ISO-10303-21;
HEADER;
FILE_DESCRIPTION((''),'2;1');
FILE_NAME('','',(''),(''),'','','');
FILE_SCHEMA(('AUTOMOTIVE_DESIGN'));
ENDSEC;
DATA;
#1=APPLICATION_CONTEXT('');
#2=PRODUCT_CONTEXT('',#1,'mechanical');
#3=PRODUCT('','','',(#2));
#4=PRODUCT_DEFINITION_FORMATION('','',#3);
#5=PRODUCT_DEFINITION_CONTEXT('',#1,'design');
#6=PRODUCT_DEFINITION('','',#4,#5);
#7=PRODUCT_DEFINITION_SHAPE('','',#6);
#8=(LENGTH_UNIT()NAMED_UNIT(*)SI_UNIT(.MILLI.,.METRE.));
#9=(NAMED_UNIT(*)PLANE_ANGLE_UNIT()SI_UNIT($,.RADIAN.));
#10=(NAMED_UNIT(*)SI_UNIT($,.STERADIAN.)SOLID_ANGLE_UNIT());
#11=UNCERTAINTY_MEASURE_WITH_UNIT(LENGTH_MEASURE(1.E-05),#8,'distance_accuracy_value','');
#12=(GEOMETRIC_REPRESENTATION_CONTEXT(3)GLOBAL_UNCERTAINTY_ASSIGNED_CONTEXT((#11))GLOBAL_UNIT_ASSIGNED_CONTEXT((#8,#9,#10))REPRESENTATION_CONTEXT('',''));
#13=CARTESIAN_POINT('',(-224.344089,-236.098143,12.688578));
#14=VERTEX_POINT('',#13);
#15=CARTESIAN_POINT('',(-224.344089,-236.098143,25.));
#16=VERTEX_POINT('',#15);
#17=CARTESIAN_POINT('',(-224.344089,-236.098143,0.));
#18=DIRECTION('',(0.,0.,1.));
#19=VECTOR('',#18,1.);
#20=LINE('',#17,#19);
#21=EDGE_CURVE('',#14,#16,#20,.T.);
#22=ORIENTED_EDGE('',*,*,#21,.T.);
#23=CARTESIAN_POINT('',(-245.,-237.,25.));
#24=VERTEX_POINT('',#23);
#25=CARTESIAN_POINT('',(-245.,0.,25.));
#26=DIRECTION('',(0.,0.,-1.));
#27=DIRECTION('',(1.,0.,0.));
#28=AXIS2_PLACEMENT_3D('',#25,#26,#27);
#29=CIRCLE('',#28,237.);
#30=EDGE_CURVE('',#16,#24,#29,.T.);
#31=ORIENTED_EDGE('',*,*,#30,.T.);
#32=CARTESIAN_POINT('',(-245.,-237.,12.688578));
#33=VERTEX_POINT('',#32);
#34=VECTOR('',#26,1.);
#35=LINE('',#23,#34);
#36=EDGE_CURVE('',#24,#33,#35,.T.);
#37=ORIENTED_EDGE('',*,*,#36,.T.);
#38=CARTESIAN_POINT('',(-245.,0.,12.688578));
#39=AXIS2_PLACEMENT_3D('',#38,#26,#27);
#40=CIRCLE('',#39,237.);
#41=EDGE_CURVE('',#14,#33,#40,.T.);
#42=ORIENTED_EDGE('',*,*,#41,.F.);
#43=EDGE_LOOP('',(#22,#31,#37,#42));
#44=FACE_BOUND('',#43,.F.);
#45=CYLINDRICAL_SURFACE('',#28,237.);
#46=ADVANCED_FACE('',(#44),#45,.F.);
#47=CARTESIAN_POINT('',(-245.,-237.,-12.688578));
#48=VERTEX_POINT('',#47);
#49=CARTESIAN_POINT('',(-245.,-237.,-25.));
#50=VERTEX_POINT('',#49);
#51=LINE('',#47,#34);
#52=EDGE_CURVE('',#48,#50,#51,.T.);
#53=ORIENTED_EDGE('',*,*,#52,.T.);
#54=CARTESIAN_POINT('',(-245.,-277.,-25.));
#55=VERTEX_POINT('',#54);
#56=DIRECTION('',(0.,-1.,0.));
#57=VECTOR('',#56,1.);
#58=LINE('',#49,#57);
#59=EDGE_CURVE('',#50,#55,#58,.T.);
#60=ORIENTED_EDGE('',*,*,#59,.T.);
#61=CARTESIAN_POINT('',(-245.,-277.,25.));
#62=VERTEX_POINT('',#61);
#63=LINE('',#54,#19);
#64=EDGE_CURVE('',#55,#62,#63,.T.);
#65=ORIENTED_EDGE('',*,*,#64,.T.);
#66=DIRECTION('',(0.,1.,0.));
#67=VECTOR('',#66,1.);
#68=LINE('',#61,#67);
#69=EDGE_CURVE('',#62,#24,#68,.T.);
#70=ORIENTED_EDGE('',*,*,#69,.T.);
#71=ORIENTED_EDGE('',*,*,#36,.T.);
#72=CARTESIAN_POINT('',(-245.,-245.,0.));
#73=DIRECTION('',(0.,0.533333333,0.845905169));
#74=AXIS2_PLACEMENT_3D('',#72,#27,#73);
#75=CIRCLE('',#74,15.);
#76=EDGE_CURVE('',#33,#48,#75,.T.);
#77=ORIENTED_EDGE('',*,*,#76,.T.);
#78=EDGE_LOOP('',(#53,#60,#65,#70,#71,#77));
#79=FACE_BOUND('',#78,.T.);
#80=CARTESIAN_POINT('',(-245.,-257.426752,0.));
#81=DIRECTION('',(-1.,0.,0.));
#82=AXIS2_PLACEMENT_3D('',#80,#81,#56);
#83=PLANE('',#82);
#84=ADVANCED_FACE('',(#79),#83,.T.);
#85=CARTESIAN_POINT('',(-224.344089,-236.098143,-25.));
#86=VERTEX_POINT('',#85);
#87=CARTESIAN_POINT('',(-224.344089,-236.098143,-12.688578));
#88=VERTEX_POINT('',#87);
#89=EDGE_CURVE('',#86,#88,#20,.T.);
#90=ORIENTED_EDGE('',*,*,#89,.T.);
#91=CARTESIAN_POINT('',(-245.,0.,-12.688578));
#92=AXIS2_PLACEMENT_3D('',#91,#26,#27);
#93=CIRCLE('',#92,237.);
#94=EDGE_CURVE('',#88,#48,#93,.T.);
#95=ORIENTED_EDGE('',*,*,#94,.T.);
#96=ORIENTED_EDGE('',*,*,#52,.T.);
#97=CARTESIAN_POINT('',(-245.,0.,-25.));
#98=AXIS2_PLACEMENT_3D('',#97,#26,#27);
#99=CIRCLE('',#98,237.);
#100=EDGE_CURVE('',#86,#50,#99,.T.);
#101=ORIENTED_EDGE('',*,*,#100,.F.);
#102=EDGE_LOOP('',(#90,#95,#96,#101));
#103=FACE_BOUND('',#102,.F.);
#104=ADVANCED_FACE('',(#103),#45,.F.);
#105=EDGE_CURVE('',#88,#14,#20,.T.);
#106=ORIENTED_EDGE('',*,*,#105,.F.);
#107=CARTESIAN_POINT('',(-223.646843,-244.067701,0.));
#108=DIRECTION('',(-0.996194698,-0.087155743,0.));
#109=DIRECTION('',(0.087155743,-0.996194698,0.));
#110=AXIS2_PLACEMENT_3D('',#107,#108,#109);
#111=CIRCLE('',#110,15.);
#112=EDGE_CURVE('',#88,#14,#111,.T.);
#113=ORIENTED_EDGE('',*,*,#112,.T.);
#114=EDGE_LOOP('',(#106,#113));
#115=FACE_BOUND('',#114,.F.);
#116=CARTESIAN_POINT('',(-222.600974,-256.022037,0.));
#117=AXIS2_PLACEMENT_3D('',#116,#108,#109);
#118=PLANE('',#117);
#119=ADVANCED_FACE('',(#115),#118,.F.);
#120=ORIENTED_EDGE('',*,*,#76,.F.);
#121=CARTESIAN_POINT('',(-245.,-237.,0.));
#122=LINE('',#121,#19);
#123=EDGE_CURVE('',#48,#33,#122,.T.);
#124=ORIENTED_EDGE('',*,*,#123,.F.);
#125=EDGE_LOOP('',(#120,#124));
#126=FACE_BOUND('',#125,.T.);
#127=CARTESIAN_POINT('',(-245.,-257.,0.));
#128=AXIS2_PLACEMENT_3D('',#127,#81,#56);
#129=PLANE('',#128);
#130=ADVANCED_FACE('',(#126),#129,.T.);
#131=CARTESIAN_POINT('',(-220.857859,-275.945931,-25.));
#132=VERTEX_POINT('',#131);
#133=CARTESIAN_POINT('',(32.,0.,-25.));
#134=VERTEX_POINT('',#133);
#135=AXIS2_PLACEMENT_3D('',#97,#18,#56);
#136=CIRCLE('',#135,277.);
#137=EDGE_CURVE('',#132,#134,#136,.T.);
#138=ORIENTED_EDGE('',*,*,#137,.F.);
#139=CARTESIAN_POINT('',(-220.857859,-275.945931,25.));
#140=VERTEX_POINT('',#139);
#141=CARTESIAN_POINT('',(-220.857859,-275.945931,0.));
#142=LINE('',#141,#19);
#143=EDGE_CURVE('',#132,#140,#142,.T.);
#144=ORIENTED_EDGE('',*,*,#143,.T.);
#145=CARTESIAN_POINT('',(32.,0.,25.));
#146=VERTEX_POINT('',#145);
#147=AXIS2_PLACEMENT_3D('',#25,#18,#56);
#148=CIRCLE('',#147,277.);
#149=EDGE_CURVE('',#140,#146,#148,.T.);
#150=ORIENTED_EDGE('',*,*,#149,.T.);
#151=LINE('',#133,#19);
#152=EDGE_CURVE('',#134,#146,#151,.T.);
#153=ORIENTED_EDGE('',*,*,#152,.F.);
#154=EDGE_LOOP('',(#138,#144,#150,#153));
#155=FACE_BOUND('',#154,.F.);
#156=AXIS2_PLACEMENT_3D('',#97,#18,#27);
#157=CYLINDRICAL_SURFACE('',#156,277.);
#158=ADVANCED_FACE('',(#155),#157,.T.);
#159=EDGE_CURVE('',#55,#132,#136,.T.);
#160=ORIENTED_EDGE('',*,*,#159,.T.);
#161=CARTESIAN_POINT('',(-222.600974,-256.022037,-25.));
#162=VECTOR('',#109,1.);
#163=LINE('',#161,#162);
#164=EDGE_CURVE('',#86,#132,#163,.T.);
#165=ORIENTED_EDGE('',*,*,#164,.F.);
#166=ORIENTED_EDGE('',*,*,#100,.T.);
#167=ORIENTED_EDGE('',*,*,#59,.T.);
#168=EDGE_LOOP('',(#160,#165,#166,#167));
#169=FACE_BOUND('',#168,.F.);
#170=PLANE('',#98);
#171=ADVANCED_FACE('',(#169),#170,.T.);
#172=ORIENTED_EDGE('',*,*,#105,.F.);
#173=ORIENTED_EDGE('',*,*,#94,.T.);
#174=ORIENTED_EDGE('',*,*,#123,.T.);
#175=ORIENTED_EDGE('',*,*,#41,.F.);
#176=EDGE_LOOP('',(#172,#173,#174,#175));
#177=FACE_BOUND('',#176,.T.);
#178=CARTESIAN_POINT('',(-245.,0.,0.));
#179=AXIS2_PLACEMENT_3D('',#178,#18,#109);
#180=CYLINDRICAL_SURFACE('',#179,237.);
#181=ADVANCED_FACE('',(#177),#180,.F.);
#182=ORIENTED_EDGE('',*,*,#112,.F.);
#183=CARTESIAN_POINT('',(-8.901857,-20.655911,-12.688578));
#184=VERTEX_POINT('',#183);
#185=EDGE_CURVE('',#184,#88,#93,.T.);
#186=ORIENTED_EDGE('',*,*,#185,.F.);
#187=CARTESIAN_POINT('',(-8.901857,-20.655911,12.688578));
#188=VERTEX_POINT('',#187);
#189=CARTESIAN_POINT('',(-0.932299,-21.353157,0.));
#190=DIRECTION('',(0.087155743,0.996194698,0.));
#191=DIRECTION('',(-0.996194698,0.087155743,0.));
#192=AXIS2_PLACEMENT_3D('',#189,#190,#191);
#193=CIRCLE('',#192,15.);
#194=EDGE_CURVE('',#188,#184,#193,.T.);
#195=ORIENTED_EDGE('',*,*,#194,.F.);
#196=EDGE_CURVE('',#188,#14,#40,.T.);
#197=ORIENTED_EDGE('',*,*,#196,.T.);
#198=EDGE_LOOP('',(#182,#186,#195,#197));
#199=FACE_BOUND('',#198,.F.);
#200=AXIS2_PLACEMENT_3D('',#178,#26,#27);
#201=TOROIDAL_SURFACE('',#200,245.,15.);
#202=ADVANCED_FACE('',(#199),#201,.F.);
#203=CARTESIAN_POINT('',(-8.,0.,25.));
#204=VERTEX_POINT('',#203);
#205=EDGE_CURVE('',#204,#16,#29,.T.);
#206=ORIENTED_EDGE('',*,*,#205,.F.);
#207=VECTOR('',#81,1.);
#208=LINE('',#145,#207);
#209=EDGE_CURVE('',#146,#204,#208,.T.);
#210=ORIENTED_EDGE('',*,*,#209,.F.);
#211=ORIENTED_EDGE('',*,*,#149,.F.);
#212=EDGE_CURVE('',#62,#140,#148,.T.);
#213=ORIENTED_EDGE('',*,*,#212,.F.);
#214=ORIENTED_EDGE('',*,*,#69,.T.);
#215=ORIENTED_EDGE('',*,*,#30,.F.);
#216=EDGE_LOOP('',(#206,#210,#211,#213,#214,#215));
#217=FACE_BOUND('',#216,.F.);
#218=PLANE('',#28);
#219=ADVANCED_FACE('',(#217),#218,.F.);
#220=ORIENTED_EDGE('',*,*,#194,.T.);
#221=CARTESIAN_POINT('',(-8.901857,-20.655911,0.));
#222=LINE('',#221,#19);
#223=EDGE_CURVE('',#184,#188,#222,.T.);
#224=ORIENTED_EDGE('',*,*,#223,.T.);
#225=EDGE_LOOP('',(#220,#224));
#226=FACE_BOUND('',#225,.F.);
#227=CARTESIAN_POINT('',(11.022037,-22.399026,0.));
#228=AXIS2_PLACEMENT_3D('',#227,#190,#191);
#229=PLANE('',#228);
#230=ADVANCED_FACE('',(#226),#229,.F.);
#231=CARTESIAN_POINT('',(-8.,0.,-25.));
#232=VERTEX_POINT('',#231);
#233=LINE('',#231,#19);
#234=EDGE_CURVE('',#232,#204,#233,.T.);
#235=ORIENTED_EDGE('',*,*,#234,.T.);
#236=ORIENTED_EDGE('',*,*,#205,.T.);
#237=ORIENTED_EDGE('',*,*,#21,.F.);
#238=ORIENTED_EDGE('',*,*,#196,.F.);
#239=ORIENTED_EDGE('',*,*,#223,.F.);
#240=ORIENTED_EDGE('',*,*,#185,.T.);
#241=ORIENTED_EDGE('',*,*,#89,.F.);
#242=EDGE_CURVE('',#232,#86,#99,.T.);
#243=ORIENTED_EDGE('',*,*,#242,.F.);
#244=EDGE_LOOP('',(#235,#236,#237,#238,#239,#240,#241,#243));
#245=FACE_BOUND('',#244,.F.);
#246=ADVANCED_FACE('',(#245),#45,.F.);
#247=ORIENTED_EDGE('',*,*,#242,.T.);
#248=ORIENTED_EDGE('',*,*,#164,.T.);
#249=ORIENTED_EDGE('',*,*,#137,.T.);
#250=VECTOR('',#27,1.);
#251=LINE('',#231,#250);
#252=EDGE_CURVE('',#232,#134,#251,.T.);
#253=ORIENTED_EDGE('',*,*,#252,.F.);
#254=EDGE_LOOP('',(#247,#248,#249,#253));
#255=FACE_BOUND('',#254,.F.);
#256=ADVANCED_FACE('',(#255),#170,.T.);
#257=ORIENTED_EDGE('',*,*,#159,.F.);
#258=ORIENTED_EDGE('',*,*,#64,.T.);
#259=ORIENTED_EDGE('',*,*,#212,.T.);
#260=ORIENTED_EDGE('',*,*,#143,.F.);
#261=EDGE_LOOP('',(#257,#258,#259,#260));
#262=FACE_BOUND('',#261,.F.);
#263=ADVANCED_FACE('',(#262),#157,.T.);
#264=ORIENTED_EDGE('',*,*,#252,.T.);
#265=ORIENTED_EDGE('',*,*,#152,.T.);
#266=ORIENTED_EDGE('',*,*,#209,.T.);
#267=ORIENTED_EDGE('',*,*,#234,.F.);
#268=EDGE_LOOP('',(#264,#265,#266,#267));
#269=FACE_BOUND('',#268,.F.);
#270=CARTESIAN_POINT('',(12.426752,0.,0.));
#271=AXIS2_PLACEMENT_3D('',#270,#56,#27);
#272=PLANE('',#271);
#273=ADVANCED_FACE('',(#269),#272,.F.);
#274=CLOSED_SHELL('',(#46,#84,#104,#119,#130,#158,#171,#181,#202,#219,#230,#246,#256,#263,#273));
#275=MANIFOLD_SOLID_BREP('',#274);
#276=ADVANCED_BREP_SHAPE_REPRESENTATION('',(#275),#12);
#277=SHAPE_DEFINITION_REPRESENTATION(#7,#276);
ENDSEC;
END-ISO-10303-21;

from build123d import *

# Parameters (mm, degrees)
F1_ANGLE       = 90
F2_W           = 40
F2_H           = 50
F3_ANGLE_BACK  = 5
F3_ANGLE       = 5
F4_W           = 40
F4_H           = 50
F5_ANGLE_START = 355
F5_ANGLE       = 5


with BuildPart() as f1:
    # F0 (on Front) → F1 (revolve)
    with BuildSketch(Plane.XZ):
        with BuildLine():
            Line((32, 25), (-8, 25))
            Line((-8, 25), (-8, 12.6885775404))
            ThreePointArc((-8, 12.6885775404), (15, 0), (-8, -12.6885775404))
            Line((-8, -12.6885775404), (-8, -25))
            Line((-8, -25), (32, -25))
            Line((32, -25), (32, 25))
        make_face()
    revolve(axis=Axis((-245, 0, -6.2683299184), (0, 0, -1)), revolution_arc=F1_ANGLE)

    # F2 (on face) → F3 (revolve)
    with BuildSketch(Plane(origin=(0, 0, 0), x_dir=(-1, 0, 0), z_dir=(0, 1, 0)), mode=Mode.PRIVATE) as f3_sk:
        with Locations((-12, 0)):
            Rectangle(F2_W, F2_H)
    revolve(f3_sk.sketch.rotate(Axis((-245, 0, 3.9664339274), (0, 0, 1)), -F3_ANGLE_BACK), axis=Axis((-245, 0, 3.9664339274), (0, 0, 1)), revolution_arc=F3_ANGLE)

    # F4 (on face) → F5 (revolve)
    with BuildSketch(Plane(origin=(-245, 0, 0), x_dir=(0, -1, 0), z_dir=(-1, 0, 0)), mode=Mode.PRIVATE) as f5_sk:
        with Locations((257, 0)):
            Rectangle(F4_W, F4_H)
    revolve(f5_sk.sketch.rotate(Axis((-245, 0, -1.3688886538), (0, 0, -1)), F5_ANGLE_START), axis=Axis((-245, 0, -1.3688886538), (0, 0, -1)), revolution_arc=F5_ANGLE)


solid = f1.part
